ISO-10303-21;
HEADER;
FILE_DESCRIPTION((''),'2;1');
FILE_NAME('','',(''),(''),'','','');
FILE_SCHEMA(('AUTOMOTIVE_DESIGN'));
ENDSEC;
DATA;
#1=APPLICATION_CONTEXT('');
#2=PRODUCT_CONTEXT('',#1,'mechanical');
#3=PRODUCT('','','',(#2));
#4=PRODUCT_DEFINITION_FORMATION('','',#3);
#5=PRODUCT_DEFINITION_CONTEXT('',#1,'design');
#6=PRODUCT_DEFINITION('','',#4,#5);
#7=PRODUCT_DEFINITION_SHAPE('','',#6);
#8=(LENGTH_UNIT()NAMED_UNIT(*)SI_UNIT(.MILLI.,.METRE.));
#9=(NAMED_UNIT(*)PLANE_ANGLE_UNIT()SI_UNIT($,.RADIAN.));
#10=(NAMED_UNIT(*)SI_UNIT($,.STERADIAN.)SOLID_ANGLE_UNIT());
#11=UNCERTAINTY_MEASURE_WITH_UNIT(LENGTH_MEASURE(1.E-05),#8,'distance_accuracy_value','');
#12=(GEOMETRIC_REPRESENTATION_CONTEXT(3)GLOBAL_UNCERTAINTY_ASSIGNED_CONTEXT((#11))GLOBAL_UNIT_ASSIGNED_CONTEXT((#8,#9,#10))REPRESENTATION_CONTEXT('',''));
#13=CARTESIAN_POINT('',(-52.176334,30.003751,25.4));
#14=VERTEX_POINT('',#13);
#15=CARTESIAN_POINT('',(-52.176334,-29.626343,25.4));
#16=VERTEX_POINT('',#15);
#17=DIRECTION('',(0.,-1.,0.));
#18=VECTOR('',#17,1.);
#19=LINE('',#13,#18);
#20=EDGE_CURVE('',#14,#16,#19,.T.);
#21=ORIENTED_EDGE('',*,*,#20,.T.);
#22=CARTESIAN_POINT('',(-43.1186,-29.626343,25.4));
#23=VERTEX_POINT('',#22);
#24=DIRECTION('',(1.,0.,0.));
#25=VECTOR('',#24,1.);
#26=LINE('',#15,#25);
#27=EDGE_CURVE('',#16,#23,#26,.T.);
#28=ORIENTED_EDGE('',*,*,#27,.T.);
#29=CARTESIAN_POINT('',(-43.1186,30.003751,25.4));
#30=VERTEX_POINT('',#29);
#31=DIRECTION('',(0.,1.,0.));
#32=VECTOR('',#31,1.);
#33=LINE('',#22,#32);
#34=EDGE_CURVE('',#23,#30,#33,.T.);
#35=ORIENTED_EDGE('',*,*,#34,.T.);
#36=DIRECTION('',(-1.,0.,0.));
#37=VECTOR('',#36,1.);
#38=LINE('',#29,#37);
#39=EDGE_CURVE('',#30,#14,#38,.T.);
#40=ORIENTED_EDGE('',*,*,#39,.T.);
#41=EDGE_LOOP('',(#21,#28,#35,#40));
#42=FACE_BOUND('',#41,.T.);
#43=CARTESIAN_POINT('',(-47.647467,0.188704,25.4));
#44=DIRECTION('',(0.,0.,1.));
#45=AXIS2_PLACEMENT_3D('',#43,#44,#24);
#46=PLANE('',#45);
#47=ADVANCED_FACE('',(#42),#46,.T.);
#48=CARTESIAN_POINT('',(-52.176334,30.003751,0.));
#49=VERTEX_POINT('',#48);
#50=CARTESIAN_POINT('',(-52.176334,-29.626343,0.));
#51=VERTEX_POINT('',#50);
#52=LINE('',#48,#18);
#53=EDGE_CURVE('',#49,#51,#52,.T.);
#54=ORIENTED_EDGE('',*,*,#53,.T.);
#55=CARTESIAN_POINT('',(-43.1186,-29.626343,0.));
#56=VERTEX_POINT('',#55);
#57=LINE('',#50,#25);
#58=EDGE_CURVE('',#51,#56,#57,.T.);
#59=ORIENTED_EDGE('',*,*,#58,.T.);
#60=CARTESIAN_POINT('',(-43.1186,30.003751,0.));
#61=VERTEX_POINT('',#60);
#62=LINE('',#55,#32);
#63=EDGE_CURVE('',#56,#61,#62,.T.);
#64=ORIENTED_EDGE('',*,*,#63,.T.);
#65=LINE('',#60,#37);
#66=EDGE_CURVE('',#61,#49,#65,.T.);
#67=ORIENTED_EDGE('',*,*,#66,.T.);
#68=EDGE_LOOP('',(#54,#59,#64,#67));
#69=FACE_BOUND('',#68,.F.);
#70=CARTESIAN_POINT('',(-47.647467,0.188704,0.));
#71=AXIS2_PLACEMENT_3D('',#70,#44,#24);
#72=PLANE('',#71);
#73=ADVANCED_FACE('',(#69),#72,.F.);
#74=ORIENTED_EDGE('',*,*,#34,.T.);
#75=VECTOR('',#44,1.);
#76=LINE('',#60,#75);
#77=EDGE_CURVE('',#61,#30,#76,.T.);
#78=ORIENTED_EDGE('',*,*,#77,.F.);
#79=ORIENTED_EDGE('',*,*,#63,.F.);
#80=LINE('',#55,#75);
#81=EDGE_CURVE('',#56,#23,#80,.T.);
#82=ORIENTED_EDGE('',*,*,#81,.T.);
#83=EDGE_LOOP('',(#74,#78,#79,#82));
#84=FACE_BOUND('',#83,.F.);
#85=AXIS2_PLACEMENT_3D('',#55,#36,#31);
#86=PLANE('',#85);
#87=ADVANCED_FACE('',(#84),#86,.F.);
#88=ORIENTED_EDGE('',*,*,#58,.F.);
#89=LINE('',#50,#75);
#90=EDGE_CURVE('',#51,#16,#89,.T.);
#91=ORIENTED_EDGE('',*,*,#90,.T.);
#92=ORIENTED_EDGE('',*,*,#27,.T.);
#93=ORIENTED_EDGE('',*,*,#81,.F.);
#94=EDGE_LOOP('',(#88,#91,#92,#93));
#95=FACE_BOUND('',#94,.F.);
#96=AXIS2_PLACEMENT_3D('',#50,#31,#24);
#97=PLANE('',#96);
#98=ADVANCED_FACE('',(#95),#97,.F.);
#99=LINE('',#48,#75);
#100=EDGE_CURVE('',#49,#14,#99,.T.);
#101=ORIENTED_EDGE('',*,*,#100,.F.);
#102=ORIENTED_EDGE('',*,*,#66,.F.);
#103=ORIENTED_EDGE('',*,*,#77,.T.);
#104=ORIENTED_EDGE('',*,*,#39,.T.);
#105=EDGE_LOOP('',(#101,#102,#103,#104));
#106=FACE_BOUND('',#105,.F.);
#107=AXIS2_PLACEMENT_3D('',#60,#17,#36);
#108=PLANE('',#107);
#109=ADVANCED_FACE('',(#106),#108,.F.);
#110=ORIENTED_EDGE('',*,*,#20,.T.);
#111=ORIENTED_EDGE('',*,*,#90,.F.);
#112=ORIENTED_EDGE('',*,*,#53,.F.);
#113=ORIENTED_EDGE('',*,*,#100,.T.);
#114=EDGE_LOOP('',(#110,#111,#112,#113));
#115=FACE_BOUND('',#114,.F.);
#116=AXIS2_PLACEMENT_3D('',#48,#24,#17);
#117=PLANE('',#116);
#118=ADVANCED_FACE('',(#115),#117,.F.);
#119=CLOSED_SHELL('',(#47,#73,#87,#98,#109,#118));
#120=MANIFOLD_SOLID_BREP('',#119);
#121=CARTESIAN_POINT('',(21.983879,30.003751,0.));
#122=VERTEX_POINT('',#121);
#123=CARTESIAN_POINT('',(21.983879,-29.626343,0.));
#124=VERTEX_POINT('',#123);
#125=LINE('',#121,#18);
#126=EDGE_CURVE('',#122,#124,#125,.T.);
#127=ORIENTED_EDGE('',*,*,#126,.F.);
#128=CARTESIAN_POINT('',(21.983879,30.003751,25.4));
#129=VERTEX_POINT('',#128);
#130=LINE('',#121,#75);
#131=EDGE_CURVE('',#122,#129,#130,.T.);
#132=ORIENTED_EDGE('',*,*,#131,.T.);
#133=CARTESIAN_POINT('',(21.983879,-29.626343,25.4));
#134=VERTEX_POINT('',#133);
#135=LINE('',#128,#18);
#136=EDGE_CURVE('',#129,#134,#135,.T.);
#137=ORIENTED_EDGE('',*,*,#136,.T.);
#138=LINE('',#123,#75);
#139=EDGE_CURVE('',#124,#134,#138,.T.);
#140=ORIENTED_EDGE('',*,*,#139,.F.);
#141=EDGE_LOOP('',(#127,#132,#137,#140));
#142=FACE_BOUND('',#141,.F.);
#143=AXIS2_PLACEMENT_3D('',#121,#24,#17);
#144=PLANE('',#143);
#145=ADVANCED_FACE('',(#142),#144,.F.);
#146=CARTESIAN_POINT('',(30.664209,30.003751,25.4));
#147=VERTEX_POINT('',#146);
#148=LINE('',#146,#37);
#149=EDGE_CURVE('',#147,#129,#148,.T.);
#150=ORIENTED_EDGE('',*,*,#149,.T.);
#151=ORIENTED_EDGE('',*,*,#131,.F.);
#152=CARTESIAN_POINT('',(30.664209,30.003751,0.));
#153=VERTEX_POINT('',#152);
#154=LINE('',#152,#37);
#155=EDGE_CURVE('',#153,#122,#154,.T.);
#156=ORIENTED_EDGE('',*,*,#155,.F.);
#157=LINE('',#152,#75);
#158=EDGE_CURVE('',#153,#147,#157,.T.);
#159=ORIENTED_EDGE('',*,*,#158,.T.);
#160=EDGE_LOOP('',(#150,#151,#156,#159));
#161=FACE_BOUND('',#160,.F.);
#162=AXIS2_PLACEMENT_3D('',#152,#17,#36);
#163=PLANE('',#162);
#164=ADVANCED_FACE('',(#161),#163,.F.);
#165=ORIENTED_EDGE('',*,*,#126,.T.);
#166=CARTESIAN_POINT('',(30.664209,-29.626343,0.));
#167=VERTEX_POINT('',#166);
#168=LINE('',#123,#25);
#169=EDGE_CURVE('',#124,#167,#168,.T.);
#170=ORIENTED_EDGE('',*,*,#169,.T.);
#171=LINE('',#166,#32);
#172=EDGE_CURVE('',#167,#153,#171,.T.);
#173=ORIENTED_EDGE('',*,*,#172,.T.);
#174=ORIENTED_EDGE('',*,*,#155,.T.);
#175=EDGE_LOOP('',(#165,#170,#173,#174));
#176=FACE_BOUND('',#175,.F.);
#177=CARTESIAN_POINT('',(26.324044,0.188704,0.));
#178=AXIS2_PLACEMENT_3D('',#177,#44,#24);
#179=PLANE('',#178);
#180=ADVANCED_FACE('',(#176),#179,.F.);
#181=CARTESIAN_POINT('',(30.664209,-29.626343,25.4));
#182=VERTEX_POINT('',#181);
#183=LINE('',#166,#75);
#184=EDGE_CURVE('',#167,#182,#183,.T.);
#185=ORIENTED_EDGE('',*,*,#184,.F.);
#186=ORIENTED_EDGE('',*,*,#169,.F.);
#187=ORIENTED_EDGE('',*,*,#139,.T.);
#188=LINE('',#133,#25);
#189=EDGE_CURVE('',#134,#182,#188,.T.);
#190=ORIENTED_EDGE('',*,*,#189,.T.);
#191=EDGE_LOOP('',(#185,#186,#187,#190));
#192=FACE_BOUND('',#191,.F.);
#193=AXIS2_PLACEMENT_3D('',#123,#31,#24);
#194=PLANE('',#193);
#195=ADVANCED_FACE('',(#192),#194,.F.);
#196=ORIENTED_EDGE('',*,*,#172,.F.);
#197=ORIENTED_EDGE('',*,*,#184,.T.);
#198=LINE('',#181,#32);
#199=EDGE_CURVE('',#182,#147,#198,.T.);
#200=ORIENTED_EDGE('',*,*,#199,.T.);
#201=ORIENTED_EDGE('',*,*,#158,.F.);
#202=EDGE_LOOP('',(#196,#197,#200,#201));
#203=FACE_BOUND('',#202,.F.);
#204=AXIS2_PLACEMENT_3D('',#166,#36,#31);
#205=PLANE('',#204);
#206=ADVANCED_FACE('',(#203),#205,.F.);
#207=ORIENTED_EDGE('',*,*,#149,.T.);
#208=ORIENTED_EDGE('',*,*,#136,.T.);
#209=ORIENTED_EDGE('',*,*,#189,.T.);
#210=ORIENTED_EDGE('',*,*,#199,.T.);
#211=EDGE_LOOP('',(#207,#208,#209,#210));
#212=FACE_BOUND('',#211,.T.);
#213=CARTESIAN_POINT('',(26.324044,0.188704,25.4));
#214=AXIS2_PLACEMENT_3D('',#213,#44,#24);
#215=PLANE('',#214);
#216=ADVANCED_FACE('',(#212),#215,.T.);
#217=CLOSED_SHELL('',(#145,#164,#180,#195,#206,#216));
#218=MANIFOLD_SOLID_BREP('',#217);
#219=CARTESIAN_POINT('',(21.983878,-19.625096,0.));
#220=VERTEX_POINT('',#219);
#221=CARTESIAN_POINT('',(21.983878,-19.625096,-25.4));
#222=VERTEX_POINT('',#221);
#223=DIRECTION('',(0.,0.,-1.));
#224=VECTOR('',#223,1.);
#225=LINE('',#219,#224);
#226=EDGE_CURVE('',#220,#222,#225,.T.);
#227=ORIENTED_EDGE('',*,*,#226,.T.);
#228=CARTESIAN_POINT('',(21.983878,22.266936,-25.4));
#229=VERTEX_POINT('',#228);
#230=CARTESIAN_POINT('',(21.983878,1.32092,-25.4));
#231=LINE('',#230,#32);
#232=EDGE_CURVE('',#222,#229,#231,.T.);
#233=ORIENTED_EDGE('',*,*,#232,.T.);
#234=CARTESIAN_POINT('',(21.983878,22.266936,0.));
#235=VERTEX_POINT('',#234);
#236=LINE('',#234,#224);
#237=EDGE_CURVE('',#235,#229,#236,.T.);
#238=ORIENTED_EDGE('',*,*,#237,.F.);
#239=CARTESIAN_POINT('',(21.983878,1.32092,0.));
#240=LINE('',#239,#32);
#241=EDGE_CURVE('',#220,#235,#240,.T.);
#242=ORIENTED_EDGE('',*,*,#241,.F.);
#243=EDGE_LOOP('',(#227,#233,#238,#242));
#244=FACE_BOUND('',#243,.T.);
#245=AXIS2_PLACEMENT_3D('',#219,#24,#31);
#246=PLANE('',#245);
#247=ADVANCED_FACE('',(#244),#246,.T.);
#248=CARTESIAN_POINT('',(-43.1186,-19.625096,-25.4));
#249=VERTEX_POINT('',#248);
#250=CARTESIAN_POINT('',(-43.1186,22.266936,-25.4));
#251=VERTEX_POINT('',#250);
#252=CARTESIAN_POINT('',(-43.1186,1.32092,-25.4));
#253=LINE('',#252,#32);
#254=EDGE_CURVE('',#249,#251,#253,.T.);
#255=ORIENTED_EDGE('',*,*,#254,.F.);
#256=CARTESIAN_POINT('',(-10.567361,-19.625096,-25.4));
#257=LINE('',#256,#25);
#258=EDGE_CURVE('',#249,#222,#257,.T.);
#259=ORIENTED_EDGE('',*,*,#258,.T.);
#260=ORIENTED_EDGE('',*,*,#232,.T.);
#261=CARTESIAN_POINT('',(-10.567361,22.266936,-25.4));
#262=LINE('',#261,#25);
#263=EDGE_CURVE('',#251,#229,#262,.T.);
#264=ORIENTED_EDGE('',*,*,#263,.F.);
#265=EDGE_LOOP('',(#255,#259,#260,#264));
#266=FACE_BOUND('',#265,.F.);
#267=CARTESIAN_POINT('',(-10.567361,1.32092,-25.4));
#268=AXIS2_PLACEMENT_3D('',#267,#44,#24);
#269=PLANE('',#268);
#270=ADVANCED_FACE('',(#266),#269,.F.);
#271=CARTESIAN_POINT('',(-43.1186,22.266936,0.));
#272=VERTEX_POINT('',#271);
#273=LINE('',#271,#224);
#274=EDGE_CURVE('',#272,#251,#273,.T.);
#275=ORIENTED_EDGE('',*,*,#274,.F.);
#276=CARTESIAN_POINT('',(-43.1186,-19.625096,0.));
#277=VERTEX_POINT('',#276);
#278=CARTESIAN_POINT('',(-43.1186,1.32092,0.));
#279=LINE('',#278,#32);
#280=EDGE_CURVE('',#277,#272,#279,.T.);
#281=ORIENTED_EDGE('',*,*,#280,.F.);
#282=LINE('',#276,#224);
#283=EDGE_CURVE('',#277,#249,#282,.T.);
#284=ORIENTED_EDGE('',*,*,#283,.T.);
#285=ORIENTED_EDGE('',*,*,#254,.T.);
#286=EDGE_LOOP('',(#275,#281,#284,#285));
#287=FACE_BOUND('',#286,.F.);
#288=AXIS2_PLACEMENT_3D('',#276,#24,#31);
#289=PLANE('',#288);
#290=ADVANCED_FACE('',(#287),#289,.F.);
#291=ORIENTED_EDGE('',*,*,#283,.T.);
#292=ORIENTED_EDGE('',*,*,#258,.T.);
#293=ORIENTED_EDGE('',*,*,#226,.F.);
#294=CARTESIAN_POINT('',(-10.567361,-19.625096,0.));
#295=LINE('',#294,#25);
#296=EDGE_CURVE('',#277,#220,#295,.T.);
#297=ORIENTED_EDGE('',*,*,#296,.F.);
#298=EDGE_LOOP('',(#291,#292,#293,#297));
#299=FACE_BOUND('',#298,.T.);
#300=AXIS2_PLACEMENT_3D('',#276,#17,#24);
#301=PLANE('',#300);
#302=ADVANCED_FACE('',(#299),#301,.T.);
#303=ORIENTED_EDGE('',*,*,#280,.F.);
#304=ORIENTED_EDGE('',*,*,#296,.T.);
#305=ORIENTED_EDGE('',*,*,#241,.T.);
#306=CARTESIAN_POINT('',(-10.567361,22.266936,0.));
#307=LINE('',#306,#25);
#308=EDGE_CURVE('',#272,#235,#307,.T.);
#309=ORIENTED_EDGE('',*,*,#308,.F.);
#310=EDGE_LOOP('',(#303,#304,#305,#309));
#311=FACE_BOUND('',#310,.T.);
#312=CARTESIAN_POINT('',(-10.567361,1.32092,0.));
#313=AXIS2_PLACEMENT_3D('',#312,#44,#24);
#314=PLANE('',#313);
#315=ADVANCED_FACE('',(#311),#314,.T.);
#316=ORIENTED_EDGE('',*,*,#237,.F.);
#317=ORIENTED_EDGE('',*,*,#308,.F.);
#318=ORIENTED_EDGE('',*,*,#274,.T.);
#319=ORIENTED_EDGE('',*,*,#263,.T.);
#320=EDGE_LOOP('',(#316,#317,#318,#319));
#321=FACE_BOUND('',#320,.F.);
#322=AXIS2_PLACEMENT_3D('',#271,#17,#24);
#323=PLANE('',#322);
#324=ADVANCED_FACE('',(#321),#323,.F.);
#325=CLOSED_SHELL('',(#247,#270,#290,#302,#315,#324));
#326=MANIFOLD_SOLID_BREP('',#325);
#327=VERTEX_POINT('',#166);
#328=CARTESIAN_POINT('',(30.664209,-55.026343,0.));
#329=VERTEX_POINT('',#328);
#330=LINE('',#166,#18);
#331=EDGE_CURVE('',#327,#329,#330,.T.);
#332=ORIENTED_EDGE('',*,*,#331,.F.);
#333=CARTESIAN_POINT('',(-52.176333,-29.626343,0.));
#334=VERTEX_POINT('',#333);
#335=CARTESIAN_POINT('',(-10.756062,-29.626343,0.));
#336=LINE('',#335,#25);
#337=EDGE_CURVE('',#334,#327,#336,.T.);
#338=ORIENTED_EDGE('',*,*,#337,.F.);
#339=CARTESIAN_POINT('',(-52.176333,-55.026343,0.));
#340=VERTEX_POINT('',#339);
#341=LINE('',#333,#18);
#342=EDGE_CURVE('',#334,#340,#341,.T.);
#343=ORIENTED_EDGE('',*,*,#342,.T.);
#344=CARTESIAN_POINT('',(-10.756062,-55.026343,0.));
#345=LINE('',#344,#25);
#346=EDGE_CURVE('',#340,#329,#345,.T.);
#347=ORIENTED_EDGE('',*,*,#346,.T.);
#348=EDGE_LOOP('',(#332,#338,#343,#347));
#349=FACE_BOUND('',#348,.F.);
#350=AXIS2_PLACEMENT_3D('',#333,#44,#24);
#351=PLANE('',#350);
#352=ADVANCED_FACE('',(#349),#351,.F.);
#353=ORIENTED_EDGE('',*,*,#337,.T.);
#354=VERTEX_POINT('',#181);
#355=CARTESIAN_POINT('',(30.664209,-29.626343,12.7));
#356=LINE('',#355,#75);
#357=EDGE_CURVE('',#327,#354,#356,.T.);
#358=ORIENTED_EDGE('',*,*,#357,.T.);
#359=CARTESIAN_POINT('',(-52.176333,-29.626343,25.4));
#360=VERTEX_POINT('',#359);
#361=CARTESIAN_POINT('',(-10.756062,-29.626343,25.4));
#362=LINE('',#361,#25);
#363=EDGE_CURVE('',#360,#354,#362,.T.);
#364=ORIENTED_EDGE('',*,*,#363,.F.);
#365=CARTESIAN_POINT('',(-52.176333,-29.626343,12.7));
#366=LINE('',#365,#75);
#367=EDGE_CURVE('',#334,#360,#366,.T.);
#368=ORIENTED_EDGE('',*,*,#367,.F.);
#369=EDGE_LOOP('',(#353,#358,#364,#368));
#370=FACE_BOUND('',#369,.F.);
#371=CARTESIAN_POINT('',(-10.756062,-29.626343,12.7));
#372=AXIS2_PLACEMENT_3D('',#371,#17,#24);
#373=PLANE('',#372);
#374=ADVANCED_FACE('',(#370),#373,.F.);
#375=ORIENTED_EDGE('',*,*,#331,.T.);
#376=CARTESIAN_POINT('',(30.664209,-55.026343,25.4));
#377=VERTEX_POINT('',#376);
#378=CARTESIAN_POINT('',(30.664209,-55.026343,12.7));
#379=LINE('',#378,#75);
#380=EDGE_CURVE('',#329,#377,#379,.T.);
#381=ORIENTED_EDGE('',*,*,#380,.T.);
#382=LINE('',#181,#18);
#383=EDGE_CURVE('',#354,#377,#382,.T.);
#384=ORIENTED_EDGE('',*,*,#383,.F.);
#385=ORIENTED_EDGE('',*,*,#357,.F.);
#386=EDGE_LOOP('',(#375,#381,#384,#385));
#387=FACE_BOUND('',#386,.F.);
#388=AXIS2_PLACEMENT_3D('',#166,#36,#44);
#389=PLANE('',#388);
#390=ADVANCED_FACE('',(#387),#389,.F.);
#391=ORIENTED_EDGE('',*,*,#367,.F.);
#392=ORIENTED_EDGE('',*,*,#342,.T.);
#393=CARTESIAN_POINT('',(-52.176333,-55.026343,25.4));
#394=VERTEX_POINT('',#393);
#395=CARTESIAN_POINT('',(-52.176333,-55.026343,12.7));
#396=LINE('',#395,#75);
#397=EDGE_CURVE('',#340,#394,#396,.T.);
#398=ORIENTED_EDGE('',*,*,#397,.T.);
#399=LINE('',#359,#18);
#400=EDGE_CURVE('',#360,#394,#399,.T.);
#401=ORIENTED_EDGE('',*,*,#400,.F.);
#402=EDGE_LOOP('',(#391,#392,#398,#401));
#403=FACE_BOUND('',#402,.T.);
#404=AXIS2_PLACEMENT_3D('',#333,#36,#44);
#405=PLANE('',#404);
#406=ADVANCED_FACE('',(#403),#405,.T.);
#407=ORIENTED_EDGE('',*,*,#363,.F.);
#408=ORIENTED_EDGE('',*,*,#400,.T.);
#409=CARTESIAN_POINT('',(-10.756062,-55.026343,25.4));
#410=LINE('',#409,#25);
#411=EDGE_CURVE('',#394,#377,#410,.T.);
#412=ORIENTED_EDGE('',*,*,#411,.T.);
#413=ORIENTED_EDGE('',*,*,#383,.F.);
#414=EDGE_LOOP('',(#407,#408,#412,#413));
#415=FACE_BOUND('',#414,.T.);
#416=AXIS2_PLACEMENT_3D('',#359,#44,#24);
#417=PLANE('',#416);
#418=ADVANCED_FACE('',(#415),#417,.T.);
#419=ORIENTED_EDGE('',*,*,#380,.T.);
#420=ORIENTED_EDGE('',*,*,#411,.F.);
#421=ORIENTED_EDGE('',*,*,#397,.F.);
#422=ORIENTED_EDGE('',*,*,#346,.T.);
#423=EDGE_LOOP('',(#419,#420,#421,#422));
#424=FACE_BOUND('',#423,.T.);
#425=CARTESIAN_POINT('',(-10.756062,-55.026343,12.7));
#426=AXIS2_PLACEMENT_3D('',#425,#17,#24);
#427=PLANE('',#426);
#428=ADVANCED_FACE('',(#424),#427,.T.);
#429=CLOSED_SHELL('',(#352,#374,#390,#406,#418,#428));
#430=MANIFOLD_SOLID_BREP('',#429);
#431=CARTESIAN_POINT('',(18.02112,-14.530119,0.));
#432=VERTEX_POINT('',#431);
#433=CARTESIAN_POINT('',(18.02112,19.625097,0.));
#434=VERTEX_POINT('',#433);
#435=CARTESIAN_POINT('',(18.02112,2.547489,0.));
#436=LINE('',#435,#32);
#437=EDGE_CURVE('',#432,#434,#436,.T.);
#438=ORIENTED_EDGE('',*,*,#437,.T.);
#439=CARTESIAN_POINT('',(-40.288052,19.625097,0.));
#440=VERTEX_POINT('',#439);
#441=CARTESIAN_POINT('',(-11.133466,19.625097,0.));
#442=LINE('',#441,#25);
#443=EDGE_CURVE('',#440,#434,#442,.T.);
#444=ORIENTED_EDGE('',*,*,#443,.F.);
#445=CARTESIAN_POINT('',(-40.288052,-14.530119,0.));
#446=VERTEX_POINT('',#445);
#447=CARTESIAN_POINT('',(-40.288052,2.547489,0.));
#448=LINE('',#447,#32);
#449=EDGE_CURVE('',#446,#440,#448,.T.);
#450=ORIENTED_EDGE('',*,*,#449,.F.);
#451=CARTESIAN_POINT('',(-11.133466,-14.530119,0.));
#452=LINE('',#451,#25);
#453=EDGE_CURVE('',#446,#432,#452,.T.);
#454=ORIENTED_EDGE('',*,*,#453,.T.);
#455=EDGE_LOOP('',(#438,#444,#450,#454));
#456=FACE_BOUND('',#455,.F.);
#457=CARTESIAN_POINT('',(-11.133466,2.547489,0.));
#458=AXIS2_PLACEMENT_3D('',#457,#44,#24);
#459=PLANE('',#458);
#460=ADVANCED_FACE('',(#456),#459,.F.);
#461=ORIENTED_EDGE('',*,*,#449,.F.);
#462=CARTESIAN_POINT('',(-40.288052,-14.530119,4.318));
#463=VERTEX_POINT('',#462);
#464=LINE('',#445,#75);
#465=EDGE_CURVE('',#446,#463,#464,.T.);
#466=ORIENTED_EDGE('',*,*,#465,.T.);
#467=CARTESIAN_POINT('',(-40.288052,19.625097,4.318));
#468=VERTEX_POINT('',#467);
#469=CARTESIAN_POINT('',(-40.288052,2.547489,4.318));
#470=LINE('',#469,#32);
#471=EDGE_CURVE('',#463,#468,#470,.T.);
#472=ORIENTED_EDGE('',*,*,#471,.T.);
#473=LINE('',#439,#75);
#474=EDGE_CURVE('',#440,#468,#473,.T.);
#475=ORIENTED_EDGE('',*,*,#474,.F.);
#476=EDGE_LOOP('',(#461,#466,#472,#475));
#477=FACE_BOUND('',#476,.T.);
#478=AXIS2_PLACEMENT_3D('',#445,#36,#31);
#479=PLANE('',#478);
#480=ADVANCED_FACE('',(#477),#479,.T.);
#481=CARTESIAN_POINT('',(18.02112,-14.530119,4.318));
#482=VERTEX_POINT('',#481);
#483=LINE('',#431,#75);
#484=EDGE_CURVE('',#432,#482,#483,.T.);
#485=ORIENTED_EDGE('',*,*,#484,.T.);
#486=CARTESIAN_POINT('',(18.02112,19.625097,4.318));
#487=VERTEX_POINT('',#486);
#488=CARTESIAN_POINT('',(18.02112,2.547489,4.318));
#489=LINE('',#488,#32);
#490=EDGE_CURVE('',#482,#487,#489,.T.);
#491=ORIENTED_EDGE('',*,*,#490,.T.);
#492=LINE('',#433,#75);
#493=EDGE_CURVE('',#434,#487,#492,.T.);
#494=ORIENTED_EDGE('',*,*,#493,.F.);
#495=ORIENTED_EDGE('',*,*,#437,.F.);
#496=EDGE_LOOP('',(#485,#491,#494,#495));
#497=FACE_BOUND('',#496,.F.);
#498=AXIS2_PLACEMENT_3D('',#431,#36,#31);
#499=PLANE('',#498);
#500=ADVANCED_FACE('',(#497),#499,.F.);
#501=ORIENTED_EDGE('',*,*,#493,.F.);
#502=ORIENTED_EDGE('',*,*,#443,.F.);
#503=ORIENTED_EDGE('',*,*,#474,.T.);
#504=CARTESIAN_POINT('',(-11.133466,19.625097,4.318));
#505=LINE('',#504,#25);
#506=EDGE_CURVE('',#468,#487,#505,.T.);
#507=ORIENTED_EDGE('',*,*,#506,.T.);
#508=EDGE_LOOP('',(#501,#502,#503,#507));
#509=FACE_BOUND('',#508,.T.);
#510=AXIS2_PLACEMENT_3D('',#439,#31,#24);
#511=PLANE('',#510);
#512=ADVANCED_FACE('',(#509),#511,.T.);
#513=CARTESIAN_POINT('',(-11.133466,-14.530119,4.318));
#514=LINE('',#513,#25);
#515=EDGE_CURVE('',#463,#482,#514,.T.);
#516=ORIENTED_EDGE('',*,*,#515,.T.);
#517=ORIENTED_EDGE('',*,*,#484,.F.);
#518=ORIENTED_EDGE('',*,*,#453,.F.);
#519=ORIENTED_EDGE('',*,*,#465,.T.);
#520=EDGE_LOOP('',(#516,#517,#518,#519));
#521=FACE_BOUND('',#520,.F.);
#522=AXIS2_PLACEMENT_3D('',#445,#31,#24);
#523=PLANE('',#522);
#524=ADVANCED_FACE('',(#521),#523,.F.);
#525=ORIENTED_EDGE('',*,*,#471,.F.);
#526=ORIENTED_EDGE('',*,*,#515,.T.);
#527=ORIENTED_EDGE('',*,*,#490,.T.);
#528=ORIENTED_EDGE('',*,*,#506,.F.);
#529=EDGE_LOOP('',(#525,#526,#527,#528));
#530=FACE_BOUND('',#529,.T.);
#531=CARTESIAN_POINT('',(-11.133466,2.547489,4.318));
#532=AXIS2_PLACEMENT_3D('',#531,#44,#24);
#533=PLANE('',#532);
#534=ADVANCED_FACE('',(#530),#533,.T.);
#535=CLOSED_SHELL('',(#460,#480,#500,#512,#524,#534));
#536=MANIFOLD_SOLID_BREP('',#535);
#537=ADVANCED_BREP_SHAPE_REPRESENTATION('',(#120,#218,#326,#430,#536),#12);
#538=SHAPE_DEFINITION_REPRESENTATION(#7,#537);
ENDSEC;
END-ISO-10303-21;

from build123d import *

# Parameters (mm, degrees)
F1_DEPTH = 25.4
F0_W     = 65.102479
F0_H     = 41.892032
F0_W_2   = 58.309173
F0_H_2   = 34.155215
F2_DEPTH = 25.4
F3_DEPTH = 4.318
F4_W     = 82.840543
F4_H     = 25.4
F5_DEPTH = 25.4


with BuildPart() as f1:
    # F0 (on Top) → F1 (new body)
    with BuildSketch(Plane.XY):
        Polygon((-43.1186, 30.003751), (-52.176334, 30.003751), (-52.176334, -29.626343), (-43.1186, -29.626343), (-43.1186, -19.625096), (-43.1186, 22.266936), align=None)
        Polygon((21.983879, 30.003751), (21.983879, 22.266936), (21.983879, -19.625096), (21.983879, -29.626343), (30.664209, -29.626343), (30.664209, 30.003751), align=None)
    extrude(amount=F1_DEPTH)


with BuildPart() as f2:
    # F0 (on Top) → F2 (new body)
    with BuildSketch(Plane.XY):
        with Locations((-10.567361, 1.32092)):
            Rectangle(F0_W, F0_H)
        with Locations((-11.133466, 2.547489)):
            Rectangle(F0_W_2, F0_H_2, mode=Mode.SUBTRACT)
        with Locations((-11.133466, 2.547489)):
            Rectangle(F0_W_2, F0_H_2)
    extrude(amount=-F2_DEPTH)


with BuildPart() as f3:
    # F0 (on Top) → F3 (new body)
    with BuildSketch(Plane.XY):
        with Locations((-11.133466, 2.547489)):
            Rectangle(F0_W_2, F0_H_2)
    extrude(amount=F3_DEPTH)


with BuildPart() as f5:
    # F4 (on face) → F5 (new body)
    with BuildSketch(Plane.XZ.offset(29.626343)):
        with Locations((-10.756062, 12.7)):
            Rectangle(F4_W, F4_H)
    extrude(amount=F5_DEPTH)


solid = Compound([f1.part, f2.part, f3.part, f5.part])
